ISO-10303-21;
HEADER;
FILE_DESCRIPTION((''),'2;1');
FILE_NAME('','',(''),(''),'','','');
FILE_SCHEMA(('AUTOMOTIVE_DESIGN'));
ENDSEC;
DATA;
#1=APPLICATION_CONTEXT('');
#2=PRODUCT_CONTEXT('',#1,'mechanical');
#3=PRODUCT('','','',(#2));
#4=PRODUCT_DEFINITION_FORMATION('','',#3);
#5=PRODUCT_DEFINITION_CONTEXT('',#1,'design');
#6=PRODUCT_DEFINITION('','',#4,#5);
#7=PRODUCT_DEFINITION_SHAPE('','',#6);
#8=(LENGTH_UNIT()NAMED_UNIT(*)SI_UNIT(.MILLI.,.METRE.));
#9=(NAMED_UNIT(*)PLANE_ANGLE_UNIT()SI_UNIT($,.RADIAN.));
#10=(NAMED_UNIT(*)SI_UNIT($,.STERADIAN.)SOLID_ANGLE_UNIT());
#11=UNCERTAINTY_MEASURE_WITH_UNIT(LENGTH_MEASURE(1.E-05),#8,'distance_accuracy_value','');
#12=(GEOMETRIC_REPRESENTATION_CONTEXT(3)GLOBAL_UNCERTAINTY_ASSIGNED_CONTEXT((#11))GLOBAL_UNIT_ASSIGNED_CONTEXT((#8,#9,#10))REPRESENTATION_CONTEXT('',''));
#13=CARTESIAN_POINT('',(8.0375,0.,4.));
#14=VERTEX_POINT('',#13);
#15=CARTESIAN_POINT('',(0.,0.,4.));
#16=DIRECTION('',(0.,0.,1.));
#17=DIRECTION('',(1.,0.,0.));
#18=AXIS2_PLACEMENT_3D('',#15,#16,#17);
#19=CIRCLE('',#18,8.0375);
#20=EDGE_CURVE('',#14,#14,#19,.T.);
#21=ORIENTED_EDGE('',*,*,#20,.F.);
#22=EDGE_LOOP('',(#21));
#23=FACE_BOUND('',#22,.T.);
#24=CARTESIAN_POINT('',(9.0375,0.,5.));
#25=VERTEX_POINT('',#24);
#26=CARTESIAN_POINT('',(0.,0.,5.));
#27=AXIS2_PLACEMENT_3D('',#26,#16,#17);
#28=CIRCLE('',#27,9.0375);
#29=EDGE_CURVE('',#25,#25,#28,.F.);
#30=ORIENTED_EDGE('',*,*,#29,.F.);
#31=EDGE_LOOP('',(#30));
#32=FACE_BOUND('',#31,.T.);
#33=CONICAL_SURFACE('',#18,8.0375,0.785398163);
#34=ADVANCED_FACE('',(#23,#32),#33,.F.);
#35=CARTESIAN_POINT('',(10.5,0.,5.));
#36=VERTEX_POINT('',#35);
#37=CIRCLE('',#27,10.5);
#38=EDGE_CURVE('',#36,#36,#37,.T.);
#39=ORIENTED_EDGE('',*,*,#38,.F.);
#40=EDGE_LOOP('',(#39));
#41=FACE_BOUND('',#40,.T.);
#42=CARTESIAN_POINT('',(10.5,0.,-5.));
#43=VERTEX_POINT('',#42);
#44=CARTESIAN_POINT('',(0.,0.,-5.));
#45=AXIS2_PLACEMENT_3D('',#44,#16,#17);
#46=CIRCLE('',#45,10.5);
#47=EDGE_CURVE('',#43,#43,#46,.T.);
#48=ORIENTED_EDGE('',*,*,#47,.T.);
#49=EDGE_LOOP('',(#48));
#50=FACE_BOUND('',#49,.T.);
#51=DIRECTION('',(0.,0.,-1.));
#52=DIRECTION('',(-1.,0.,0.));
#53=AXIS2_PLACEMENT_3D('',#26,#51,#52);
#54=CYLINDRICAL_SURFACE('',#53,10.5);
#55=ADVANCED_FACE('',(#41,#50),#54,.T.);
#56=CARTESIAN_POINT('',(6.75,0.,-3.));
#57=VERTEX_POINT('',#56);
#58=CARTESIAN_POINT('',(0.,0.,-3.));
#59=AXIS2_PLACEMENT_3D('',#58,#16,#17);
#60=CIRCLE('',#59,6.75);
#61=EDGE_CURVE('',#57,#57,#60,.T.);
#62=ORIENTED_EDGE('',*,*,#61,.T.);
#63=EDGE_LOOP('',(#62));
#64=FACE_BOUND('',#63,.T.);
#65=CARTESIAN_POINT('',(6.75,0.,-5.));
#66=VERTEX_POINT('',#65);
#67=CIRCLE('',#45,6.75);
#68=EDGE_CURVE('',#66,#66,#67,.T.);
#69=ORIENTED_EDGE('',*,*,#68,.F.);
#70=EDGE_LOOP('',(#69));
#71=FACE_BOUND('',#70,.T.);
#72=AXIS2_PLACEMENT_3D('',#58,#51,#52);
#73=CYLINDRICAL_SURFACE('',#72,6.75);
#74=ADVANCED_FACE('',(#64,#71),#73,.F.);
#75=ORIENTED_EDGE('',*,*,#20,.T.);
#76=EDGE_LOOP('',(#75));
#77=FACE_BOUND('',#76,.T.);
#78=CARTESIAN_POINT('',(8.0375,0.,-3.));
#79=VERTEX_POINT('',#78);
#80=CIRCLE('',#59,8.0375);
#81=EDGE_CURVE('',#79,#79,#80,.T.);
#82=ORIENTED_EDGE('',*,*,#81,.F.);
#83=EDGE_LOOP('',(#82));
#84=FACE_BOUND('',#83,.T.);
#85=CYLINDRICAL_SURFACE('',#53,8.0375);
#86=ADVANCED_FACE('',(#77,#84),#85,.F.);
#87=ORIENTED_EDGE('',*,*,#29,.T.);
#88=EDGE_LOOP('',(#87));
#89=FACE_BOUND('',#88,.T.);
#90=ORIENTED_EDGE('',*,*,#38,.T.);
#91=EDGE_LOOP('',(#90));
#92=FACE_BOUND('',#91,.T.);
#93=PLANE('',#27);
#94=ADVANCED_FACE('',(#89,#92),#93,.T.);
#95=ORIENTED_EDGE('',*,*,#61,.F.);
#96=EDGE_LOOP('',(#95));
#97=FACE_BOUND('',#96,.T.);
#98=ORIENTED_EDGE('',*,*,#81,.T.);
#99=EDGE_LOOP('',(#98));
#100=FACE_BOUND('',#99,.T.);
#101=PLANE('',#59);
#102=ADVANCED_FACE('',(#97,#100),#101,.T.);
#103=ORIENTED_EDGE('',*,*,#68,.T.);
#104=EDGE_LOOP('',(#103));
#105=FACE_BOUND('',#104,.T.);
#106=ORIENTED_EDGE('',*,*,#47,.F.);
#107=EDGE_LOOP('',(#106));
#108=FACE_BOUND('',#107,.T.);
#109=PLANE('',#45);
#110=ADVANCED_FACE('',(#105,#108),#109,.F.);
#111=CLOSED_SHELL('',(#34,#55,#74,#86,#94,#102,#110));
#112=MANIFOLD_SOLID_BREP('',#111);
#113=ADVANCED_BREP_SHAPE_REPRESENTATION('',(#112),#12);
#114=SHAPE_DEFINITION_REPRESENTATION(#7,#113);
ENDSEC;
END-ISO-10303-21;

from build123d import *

# Parameters (mm, degrees)
SKETCH1_R           = 10.5
SKETCH1_R_2         = 8.0375
BOSS_EXTRUDE1_DEPTH = 5
BOSS_EXTRUDE2_START = -5
SKETCH1_3_R         = 8.0375
SKETCH1_3_R_2       = 6.75
BOSS_EXTRUDE2_DEPTH = 2
CHAMFER1_SIZE       = 1


with BuildPart() as part:
    # Sketch1 → Boss-Extrude1 (new body, symmetric)
    with BuildSketch(Plane.XY):
        Circle(SKETCH1_R)
        Circle(SKETCH1_R_2, mode=Mode.SUBTRACT)
    extrude(amount=BOSS_EXTRUDE1_DEPTH, both=True)

    # Sketch1<3> → Boss-Extrude2 (add)
    with BuildSketch(Plane.XY.offset(BOSS_EXTRUDE2_START)):
        Circle(SKETCH1_3_R)
        Circle(SKETCH1_3_R_2, mode=Mode.SUBTRACT)
    extrude(amount=BOSS_EXTRUDE2_DEPTH)

    # Chamfer1
    chamfer1_edges = [part.edges().sort_by_distance(p)[0] for p in [
        (-8.0375, 0, 5),
    ]]
    chamfer(chamfer1_edges, length=CHAMFER1_SIZE)


solid = part.part
